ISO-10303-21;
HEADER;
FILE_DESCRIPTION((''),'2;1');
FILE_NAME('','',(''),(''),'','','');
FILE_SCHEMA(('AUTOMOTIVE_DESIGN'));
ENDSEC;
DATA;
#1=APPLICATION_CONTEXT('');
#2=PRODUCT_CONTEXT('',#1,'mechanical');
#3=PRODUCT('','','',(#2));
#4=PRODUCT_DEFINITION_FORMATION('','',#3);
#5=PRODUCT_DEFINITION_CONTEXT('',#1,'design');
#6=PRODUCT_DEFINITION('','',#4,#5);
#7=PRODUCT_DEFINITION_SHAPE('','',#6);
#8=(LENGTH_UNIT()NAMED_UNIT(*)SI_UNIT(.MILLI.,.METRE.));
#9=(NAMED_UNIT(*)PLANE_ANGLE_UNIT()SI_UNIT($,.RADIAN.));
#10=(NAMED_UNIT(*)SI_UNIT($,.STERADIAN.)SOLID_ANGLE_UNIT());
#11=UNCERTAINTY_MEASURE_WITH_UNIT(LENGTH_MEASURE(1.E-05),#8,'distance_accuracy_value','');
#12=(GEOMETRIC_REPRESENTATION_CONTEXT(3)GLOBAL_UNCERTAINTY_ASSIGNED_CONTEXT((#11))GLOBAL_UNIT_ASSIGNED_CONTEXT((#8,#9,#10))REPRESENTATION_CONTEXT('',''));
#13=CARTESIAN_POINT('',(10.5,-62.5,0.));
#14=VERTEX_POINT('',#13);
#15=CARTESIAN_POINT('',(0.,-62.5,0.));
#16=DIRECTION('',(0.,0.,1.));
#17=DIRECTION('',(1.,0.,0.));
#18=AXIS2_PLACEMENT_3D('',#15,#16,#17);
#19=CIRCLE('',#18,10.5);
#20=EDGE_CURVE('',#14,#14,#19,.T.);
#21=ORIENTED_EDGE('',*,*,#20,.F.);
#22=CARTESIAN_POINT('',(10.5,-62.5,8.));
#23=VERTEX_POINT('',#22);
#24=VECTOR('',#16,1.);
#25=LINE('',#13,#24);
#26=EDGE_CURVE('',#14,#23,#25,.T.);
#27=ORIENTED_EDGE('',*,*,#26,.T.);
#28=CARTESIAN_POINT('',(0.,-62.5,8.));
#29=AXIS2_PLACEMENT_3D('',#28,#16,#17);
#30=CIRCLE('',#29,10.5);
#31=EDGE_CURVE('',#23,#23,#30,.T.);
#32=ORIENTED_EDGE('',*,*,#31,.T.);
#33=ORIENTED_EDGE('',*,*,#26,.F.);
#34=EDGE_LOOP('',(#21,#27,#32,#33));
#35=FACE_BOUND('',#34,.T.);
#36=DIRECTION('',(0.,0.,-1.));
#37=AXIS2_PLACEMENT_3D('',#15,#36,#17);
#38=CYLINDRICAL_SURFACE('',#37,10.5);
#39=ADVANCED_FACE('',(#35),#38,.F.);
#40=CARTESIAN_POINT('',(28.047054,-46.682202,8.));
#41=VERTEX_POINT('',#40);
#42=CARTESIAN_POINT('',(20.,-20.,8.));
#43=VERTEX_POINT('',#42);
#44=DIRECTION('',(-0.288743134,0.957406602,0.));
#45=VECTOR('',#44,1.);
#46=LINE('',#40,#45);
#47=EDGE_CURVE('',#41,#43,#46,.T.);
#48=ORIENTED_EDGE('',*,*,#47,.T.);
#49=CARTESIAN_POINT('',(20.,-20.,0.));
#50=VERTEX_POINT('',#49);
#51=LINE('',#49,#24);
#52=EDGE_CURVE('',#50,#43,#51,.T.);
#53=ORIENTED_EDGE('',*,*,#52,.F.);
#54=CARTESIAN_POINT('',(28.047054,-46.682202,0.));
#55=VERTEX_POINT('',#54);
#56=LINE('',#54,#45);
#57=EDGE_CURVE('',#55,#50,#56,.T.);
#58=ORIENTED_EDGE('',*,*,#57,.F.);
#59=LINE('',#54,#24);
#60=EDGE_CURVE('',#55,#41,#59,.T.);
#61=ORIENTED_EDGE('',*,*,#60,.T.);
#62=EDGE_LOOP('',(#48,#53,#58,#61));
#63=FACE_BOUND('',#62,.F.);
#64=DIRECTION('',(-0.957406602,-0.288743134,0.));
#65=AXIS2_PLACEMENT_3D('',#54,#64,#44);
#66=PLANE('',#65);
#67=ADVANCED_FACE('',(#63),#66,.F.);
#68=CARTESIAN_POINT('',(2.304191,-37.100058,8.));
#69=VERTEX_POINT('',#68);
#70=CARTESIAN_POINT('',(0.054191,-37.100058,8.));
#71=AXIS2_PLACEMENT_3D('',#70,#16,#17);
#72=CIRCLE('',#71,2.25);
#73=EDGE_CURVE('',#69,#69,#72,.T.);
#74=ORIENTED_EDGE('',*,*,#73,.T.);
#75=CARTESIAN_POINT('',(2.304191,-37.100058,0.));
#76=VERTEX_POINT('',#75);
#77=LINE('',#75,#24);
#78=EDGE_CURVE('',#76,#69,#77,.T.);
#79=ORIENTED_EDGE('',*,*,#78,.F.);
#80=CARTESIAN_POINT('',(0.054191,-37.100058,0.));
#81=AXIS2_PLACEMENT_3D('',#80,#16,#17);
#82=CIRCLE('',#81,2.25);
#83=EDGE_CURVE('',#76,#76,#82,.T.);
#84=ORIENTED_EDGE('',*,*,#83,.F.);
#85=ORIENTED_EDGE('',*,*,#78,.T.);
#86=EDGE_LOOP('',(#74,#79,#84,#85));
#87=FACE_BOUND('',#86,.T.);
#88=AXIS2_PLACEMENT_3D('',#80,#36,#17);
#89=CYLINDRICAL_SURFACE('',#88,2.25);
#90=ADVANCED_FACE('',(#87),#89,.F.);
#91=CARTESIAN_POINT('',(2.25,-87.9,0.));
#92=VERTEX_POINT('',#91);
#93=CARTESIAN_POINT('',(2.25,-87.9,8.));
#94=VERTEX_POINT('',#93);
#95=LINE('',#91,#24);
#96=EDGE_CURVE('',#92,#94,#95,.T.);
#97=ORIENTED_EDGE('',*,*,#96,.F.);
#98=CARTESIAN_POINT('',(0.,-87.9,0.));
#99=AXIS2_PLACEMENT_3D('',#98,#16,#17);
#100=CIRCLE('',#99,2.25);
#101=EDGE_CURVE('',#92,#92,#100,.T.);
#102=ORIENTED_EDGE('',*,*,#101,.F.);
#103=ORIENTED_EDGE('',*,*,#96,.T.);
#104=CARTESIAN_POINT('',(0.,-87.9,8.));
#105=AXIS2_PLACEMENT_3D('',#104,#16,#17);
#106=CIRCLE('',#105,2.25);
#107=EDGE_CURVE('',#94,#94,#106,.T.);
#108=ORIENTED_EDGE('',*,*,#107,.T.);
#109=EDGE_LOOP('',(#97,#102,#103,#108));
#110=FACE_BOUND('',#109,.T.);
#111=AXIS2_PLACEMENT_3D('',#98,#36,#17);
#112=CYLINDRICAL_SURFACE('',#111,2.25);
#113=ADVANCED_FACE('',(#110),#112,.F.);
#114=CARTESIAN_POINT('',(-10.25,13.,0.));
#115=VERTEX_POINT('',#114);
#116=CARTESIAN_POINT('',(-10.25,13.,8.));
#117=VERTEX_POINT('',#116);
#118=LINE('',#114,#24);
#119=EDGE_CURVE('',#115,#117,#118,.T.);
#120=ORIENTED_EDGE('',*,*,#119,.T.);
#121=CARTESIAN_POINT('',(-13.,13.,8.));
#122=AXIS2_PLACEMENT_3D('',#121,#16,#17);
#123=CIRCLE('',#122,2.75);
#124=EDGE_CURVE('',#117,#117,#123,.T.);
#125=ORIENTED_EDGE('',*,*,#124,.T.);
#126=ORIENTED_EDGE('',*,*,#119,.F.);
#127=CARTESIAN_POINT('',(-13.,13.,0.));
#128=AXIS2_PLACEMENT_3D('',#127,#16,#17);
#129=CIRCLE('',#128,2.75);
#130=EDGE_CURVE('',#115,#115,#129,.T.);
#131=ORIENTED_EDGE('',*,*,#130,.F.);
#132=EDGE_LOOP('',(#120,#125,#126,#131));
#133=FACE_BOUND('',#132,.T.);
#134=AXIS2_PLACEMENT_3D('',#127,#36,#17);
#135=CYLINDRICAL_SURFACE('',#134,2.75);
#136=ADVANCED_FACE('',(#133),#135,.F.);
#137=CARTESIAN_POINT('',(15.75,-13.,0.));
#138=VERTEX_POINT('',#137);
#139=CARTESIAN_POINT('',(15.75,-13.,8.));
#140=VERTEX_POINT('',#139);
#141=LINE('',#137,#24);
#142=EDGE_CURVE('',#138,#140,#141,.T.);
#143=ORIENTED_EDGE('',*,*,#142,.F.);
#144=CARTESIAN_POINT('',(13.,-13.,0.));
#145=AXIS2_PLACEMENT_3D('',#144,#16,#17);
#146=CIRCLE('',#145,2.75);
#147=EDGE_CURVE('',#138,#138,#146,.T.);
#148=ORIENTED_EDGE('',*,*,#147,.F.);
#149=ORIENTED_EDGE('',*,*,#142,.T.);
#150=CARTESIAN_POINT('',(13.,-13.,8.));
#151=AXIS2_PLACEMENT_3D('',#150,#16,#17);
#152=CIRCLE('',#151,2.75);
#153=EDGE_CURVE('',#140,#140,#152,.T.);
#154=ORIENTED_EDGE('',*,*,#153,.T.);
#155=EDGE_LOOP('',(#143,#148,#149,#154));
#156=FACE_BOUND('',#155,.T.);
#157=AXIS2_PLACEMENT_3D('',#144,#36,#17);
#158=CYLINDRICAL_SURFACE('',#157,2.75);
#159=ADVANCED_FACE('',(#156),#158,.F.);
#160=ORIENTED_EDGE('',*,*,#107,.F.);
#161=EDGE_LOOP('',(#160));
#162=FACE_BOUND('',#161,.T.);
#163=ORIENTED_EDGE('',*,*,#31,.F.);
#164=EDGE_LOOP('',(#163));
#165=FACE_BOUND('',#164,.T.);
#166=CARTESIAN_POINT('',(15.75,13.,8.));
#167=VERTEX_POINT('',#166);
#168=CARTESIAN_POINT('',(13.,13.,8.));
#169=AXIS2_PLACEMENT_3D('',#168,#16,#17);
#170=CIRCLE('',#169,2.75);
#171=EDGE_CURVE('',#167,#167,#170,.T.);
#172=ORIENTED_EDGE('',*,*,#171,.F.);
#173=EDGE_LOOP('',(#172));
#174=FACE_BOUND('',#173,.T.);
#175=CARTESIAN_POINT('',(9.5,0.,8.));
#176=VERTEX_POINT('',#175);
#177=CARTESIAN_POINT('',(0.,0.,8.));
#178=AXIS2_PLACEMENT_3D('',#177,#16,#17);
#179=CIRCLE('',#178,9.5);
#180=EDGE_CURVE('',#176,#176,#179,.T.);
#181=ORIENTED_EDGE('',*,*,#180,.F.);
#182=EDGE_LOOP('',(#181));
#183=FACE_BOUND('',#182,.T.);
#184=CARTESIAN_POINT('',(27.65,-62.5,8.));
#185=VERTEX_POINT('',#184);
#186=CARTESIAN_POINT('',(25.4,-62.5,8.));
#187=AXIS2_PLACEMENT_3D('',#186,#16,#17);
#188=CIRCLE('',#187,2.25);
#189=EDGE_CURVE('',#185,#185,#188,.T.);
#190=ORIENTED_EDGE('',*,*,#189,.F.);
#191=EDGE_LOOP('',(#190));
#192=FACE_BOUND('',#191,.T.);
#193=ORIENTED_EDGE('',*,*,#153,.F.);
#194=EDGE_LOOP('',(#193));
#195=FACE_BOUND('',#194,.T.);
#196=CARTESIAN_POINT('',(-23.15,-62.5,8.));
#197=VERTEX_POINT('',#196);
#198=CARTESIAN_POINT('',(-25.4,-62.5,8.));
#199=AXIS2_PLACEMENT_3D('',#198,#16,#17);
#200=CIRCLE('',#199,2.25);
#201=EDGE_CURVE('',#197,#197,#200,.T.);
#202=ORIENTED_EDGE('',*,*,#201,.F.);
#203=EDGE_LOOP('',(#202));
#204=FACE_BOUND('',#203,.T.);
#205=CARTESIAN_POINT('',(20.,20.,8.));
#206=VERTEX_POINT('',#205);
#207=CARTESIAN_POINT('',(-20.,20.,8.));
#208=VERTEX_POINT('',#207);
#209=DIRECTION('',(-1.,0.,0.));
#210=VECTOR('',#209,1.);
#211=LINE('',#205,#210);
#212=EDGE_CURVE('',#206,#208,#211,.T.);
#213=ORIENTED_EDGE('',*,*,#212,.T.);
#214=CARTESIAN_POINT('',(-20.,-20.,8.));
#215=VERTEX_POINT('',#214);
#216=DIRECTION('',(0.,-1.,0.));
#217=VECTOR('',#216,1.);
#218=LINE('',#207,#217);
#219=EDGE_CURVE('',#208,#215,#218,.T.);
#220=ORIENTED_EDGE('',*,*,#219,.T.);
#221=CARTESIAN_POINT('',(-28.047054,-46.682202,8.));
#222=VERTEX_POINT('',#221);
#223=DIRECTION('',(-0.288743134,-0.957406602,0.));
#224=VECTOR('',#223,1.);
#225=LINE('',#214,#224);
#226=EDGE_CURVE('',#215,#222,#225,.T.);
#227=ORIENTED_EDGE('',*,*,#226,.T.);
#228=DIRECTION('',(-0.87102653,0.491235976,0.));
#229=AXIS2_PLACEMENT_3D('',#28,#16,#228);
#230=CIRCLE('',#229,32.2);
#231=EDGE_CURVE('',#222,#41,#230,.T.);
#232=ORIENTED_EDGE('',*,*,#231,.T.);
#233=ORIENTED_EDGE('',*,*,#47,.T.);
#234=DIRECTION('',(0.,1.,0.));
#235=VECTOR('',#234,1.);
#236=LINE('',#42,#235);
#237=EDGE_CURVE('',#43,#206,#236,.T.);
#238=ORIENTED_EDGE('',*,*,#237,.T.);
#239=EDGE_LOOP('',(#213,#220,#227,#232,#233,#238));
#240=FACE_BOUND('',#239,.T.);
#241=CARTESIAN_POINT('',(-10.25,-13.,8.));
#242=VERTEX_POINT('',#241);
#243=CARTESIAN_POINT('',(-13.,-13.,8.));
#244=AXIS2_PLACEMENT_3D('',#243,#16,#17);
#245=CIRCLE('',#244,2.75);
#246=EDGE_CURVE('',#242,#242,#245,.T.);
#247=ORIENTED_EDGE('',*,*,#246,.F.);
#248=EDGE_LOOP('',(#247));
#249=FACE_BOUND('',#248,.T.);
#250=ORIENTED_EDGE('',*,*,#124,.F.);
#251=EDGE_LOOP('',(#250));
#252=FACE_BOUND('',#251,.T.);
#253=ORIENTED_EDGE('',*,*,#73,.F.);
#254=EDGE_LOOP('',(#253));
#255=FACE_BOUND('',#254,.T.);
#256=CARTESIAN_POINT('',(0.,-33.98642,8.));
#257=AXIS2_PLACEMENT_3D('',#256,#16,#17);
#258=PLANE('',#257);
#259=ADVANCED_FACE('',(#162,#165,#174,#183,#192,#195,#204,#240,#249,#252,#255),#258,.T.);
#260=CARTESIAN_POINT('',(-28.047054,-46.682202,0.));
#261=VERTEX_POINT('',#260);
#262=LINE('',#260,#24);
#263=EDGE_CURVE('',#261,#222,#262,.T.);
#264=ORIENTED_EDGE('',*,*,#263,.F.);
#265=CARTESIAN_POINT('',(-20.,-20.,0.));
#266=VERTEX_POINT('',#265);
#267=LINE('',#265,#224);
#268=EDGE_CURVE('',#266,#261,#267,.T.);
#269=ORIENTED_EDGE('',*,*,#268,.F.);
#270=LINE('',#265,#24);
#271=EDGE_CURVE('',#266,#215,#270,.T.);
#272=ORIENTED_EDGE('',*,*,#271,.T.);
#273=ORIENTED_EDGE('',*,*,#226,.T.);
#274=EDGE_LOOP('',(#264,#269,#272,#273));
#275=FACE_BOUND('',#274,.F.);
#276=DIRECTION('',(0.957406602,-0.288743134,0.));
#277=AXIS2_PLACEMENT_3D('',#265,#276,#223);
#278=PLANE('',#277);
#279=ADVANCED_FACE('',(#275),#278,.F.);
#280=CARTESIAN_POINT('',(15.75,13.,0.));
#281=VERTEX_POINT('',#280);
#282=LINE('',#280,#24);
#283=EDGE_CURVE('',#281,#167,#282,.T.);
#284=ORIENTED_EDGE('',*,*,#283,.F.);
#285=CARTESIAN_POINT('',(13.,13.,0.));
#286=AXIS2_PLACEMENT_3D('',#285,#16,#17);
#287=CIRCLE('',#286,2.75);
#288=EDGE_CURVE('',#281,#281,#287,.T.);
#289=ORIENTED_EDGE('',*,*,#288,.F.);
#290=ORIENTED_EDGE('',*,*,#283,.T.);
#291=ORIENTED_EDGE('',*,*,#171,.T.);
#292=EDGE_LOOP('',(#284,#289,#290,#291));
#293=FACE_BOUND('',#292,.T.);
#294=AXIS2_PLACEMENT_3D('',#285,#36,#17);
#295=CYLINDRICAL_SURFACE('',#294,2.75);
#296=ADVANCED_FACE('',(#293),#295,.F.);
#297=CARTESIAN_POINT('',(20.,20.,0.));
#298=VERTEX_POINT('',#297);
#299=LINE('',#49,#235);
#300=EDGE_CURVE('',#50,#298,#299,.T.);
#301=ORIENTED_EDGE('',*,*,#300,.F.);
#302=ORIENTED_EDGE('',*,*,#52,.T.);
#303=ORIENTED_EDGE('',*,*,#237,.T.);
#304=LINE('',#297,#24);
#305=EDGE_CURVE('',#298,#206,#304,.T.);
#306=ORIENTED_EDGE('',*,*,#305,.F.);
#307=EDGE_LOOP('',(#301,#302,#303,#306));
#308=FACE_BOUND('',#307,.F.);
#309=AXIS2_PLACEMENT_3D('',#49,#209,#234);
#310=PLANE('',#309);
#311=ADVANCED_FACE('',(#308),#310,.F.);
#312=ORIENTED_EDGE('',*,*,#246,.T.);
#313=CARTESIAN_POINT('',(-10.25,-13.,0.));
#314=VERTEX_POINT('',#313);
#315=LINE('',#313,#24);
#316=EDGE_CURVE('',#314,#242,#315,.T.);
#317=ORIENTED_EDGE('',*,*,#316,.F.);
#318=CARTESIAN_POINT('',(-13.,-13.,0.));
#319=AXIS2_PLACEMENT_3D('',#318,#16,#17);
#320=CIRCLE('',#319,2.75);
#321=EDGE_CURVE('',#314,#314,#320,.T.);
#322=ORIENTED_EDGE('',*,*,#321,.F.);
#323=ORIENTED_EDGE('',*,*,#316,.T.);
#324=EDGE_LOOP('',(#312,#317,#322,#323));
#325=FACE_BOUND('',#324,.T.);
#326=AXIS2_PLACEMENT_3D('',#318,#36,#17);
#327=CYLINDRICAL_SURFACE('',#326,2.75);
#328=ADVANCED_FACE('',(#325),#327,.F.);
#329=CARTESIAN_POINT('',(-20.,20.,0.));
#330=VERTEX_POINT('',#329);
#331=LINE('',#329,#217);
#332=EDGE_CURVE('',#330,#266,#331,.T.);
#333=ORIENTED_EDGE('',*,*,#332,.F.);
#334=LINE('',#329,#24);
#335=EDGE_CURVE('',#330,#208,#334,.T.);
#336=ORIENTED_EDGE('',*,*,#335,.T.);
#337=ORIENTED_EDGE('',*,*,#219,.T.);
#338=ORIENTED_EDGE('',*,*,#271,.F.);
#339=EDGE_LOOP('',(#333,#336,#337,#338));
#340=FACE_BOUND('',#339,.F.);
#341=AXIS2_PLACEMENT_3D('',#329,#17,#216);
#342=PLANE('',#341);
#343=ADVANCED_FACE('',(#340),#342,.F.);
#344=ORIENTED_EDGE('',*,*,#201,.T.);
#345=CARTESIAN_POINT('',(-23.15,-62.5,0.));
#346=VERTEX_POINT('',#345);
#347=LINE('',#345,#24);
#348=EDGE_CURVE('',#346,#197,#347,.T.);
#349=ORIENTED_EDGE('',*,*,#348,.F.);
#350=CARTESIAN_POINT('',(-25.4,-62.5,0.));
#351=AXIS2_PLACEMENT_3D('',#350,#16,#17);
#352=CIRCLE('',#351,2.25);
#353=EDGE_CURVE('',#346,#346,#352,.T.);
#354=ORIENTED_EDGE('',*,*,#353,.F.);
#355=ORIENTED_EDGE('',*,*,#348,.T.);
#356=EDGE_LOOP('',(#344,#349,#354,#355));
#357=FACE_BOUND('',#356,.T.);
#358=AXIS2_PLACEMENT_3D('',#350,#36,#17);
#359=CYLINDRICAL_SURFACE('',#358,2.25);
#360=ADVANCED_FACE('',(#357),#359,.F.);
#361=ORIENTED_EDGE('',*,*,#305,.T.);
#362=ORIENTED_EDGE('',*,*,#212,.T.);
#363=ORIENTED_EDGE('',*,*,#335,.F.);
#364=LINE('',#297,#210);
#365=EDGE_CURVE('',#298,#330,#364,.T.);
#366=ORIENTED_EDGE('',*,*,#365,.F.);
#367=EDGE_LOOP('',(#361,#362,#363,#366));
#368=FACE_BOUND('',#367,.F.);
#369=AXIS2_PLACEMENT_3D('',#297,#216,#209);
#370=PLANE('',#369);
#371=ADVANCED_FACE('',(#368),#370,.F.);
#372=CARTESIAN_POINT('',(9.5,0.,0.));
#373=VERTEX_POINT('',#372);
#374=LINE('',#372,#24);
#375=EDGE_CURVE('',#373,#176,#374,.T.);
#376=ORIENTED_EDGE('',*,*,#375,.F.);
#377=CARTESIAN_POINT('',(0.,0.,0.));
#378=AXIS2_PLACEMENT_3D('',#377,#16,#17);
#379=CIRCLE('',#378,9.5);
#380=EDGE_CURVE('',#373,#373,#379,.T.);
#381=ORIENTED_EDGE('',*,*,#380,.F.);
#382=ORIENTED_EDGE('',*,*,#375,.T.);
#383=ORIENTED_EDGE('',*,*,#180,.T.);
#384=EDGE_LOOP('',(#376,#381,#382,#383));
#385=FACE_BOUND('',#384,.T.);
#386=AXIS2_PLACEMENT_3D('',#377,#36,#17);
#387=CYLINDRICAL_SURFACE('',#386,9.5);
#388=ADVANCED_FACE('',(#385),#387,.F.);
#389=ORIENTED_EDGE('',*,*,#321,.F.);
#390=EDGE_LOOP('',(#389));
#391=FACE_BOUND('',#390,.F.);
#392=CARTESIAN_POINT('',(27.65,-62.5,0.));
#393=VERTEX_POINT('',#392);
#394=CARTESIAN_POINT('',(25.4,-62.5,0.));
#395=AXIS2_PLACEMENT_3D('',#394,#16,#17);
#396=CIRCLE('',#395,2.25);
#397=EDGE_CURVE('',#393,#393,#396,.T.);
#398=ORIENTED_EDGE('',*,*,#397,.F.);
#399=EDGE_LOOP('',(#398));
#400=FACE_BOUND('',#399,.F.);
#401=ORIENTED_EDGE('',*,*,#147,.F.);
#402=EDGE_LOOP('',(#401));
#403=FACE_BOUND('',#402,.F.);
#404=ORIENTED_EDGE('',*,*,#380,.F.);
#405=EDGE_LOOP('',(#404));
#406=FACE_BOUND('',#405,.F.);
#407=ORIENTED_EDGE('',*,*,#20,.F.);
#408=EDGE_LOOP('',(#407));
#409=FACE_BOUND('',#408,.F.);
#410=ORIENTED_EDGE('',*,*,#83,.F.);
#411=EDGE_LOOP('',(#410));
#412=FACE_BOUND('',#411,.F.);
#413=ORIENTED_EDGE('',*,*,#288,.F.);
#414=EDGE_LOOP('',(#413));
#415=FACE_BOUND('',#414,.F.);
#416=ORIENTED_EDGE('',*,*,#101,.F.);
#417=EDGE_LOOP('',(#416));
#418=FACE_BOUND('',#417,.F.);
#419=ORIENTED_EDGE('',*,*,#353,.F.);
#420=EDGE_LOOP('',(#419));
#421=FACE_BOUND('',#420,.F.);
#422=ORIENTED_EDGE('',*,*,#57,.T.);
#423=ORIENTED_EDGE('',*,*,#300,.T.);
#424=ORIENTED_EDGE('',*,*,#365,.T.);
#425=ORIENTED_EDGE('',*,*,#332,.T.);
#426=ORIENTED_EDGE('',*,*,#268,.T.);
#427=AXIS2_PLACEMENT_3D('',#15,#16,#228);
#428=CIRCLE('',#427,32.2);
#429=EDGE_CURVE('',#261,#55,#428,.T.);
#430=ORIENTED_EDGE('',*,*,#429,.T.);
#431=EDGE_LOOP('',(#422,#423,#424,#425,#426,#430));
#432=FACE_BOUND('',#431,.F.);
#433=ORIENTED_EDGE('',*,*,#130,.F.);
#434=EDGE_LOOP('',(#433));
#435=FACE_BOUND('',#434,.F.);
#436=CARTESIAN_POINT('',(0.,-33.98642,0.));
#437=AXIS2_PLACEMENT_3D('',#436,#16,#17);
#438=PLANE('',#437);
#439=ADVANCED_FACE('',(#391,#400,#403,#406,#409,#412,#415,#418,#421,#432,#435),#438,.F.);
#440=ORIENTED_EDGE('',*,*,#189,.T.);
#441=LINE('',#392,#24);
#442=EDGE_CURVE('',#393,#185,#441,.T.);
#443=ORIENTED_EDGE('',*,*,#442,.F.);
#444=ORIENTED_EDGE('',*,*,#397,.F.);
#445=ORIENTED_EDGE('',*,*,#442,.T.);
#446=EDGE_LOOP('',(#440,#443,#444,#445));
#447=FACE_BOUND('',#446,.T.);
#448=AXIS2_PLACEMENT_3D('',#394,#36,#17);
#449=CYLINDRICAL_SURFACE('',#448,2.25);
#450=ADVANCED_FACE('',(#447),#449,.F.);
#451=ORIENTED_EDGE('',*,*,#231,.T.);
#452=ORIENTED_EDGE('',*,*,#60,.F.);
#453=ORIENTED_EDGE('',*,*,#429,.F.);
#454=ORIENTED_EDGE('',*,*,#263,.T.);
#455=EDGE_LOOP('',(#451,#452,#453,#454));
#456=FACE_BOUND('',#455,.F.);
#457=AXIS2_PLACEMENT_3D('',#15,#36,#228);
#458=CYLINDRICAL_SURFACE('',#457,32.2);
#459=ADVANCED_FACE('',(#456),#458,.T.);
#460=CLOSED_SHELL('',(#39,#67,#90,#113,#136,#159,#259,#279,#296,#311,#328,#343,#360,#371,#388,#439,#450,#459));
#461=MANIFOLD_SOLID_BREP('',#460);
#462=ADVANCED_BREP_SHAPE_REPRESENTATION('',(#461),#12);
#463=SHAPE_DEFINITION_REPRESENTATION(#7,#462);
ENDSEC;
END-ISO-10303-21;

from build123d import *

# Parameters (mm, degrees)
F0_R     = 2.25
F0_R_2   = 10.5
F0_R_3   = 2.75
F0_R_4   = 9.5
F1_DEPTH = 8


with BuildPart() as f1:
    # F0 (on Top) → F1 (new body)
    with BuildSketch(Plane.XY):
        with BuildLine():
            Line((20, -20), (20, 20))
            Line((20, 20), (-20, 20))
            Line((-20, 20), (-20, -20))
            Line((-20, -20), (-28.047054, -46.682202))
            ThreePointArc((-28.047054, -46.682202), (0, -94.7), (28.047054, -46.682202))
            Line((28.047054, -46.682202), (20, -20))
        make_face()
        with Locations((-25.4, -62.5)):
            Circle(F0_R, mode=Mode.SUBTRACT)
        with Locations((0, -87.9)):
            Circle(F0_R, mode=Mode.SUBTRACT)
        with Locations((0, -62.5)):
            Circle(F0_R_2, mode=Mode.SUBTRACT)
        with Locations((25.4, -62.5)):
            Circle(F0_R, mode=Mode.SUBTRACT)
        with Locations((-13, -13)):
            Circle(F0_R_3, mode=Mode.SUBTRACT)
        with Locations((-13, 13)):
            Circle(F0_R_3, mode=Mode.SUBTRACT)
        with Locations((0.054191, -37.100058)):
            Circle(F0_R, mode=Mode.SUBTRACT)
        with Locations((13, -13)):
            Circle(F0_R_3, mode=Mode.SUBTRACT)
        Circle(F0_R_4, mode=Mode.SUBTRACT)
        with Locations((13, 13)):
            Circle(F0_R_3, mode=Mode.SUBTRACT)
    extrude(amount=F1_DEPTH)


solid = f1.part
